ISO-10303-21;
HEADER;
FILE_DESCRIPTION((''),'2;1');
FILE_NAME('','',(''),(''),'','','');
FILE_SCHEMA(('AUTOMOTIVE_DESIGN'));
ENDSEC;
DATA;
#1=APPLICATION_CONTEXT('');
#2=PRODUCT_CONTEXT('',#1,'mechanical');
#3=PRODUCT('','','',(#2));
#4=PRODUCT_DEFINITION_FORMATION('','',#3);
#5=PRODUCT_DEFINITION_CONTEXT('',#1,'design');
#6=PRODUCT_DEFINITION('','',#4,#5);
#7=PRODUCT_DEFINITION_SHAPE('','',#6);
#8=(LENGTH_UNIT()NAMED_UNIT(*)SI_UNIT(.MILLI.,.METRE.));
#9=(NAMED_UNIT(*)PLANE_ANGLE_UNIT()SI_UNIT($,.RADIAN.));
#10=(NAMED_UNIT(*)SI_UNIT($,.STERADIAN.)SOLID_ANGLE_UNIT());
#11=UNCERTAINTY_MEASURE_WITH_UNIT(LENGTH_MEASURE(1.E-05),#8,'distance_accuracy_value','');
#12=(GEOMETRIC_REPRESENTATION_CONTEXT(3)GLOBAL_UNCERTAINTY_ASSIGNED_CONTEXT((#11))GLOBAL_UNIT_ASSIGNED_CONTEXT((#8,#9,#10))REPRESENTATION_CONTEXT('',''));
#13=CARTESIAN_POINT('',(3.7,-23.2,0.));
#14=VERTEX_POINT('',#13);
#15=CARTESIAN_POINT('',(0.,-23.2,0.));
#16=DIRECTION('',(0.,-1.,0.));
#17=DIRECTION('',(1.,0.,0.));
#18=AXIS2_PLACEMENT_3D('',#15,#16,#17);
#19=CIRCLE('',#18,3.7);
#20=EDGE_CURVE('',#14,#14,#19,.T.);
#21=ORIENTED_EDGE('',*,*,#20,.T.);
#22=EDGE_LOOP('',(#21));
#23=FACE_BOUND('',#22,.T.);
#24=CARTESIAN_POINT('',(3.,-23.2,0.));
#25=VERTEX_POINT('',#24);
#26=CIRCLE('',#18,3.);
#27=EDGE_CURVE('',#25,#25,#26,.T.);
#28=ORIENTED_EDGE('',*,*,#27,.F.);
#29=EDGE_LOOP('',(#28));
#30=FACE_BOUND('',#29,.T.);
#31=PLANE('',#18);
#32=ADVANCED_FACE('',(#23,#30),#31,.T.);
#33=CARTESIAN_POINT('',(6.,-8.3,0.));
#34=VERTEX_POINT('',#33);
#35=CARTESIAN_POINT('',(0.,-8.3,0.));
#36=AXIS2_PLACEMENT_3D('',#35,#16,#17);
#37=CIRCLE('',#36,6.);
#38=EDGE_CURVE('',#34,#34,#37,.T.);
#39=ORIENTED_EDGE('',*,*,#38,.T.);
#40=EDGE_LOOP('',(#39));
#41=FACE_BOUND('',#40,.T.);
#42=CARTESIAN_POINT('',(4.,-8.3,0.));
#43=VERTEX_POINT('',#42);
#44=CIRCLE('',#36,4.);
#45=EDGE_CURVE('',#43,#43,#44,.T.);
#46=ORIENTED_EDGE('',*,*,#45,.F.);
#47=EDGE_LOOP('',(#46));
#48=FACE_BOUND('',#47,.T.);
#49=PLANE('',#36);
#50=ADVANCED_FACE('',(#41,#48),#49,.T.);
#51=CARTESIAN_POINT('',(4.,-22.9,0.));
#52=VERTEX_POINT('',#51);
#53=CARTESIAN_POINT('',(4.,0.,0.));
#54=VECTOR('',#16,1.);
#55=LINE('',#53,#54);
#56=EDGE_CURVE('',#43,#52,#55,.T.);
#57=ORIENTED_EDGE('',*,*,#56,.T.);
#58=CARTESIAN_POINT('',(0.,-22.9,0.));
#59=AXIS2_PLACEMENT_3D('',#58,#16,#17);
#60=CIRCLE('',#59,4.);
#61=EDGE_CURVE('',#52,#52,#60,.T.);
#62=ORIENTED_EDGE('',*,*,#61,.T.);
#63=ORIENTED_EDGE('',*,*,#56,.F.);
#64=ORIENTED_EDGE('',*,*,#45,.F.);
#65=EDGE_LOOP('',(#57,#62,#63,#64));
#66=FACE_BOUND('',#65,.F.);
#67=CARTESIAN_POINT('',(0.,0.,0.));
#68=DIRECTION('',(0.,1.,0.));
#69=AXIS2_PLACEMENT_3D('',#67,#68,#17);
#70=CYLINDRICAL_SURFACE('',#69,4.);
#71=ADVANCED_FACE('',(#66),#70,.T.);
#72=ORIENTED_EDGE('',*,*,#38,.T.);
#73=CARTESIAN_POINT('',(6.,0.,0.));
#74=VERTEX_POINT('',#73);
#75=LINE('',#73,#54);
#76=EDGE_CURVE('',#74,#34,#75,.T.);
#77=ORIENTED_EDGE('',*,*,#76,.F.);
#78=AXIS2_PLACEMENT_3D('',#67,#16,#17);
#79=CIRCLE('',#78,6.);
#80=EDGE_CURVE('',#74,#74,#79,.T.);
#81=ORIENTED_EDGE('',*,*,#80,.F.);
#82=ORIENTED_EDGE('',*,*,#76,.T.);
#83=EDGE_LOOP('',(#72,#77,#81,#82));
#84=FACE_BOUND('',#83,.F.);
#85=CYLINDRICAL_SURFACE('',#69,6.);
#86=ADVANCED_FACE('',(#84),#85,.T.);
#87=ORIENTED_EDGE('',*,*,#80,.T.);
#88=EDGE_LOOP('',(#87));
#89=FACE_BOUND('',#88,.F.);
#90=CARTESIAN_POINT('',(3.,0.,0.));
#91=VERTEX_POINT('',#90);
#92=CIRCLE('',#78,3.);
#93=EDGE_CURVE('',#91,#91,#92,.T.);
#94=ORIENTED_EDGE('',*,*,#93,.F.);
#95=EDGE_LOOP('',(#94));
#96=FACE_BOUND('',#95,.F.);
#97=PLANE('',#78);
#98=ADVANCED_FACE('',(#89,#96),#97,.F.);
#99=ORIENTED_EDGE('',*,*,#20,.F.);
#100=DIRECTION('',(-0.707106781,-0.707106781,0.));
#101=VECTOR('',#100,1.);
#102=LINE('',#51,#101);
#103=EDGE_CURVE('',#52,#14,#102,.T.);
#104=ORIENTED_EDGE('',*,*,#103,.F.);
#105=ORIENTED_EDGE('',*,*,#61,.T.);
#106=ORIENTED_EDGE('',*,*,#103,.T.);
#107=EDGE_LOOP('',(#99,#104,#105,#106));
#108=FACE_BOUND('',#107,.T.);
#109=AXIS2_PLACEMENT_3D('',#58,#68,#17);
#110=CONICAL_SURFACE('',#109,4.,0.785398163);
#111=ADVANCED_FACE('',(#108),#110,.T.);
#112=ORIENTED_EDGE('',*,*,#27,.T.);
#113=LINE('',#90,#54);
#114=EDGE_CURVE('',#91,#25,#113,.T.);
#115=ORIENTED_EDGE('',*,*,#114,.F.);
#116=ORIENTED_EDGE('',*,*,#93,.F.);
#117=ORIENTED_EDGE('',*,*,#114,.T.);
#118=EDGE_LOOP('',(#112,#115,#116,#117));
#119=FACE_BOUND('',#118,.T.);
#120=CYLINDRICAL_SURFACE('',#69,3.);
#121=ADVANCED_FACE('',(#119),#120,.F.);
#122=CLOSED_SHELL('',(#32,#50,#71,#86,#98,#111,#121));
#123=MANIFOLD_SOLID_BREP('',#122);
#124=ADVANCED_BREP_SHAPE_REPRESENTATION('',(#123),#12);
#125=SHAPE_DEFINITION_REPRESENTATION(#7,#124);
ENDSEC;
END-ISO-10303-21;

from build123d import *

# Parameters (mm, degrees)
F0_R     = 6
F0_R_2   = 4
F1_DEPTH = 8.3
F0_R_3   = 3
F2_DEPTH = 23.2
F3_SIZE  = 0.3


with BuildPart() as f1:
    # F0 (on Front) → F1 (new body)
    with BuildSketch(Plane.XZ):
        Circle(F0_R)
        Circle(F0_R_2, mode=Mode.SUBTRACT)
    extrude(amount=F1_DEPTH)

    # F0 (on Front) → F2 (join)
    with BuildSketch(Plane.XZ):
        Circle(F0_R_2)
        Circle(F0_R_3, mode=Mode.SUBTRACT)
    extrude(amount=F2_DEPTH)

    # F3
    f3_edges = [f1.edges().sort_by_distance(p)[0] for p in [
        (-4, -23.2, 0),
    ]]
    chamfer(f3_edges, length=F3_SIZE)


solid = f1.part
